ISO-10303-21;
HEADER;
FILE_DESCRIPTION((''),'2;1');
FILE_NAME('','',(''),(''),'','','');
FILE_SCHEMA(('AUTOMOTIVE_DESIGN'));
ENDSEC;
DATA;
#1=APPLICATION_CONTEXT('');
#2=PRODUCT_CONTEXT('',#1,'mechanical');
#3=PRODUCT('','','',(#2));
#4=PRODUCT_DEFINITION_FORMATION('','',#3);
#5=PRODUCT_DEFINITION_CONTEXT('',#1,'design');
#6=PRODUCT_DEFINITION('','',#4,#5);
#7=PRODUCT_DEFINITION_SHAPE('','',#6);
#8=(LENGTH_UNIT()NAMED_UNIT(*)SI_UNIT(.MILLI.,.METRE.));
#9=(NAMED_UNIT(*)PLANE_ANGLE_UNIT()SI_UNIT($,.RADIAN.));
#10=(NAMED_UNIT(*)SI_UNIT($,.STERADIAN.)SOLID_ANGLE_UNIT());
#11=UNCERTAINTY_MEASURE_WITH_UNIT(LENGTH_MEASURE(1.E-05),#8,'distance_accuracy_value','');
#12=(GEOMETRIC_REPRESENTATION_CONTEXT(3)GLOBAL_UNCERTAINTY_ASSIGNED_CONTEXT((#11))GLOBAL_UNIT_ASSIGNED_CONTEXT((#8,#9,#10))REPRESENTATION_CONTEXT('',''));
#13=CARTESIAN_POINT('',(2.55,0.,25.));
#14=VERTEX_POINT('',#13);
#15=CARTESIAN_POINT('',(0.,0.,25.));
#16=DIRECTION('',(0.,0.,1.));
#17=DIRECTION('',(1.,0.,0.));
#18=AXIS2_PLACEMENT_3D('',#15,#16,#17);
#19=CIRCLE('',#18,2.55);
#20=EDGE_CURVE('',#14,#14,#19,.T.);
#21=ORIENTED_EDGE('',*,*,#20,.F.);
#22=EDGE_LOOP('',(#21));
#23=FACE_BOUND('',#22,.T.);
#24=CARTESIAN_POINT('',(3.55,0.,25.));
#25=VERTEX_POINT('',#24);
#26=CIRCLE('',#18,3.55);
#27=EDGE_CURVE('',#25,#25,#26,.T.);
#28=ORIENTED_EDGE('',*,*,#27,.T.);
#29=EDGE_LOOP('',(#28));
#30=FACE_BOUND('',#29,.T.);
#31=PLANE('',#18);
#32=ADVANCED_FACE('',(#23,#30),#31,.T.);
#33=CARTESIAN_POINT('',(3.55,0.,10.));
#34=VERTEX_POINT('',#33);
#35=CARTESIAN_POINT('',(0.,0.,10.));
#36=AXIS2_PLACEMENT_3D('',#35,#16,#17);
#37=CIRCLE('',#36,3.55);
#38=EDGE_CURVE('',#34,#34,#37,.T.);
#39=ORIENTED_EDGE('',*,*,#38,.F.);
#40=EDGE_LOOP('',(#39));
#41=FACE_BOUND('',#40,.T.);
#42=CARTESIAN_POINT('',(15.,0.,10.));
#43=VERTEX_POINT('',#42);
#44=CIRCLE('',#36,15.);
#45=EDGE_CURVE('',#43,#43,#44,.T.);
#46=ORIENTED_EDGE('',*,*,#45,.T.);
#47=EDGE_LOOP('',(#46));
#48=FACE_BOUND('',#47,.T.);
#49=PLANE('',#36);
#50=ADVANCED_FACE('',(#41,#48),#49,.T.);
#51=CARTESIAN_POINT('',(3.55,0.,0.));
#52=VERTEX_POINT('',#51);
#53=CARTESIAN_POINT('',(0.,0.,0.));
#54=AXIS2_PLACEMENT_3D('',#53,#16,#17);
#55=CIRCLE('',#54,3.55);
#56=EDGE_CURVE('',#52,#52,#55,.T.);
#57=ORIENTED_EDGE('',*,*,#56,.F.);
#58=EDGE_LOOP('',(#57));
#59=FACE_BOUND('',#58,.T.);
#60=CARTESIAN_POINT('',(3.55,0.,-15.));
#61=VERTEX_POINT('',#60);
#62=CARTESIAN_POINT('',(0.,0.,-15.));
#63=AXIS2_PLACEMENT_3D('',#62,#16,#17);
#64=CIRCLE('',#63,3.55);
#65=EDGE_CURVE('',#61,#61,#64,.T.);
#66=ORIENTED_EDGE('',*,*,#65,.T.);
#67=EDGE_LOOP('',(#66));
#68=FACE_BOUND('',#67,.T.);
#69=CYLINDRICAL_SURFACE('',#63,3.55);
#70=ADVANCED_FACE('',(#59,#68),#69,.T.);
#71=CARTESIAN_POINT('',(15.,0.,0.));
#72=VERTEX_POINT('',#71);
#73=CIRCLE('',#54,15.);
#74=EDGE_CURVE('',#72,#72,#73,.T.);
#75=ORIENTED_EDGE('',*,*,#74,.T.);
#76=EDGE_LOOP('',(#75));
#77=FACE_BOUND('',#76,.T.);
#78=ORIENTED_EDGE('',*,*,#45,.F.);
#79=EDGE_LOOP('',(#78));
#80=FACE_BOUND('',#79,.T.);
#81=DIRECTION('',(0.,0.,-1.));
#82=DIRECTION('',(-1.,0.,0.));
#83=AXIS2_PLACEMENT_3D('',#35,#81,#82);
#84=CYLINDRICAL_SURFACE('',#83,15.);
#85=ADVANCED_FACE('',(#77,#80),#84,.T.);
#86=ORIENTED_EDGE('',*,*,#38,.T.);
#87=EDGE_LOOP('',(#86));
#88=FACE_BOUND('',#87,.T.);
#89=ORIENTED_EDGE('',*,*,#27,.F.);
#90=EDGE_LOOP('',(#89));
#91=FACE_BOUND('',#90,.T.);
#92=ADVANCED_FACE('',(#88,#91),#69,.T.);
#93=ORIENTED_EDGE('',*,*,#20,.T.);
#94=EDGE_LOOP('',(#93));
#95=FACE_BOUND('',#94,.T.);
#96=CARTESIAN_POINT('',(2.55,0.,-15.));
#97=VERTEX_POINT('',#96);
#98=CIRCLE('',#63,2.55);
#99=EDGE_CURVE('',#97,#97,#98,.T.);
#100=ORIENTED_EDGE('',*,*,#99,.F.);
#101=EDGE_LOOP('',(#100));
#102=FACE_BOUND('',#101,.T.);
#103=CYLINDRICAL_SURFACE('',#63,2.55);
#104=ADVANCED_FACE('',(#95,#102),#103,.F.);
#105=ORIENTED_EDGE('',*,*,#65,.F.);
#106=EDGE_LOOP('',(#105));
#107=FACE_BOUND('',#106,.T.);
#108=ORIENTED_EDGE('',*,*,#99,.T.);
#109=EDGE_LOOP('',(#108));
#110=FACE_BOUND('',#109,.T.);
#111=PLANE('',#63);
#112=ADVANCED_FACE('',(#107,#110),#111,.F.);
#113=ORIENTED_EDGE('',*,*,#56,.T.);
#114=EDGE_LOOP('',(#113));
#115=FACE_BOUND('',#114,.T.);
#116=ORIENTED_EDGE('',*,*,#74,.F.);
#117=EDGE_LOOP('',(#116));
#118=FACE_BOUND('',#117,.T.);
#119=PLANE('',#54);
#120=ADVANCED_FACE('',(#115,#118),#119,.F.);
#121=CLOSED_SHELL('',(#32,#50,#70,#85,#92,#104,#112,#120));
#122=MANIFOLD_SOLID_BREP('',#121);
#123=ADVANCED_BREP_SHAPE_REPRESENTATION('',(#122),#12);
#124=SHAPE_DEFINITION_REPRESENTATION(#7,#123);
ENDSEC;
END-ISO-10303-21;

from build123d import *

# Parameters (mm, degrees)
SKETCH3_R                = 15
BOSS_EXTRUDE1_DEPTH      = 10
SKETCH4_R                = 3.55
SKETCH4_R_2              = 2.55
BOSS_EXTRUDE2_DEPTH      = 15
BOSS_EXTRUDE2_DEPTH_BACK = 25
SKETCH9_R                = 2.55
CUT_EXTRUDE1_DEPTH       = 26


with BuildPart() as part:
    # Sketch3 → Boss-Extrude1 (new body)
    with BuildSketch(Plane.XY):
        Circle(SKETCH3_R)
    extrude(amount=BOSS_EXTRUDE1_DEPTH)

    # Sketch4 → Boss-Extrude2 (add, two sides)
    with BuildSketch(Plane.XY.offset(10)) as boss_extrude2_sk:
        Circle(SKETCH4_R)
        Circle(SKETCH4_R_2, mode=Mode.SUBTRACT)
    extrude(amount=BOSS_EXTRUDE2_DEPTH)
    extrude(boss_extrude2_sk.sketch, amount=-BOSS_EXTRUDE2_DEPTH_BACK)

    # Sketch9 → Cut-Extrude1 (cut, through all)
    with BuildSketch(Plane.XY.offset(10)):
        Circle(SKETCH9_R)
    extrude(amount=-CUT_EXTRUDE1_DEPTH, mode=Mode.SUBTRACT)


solid = part.part
